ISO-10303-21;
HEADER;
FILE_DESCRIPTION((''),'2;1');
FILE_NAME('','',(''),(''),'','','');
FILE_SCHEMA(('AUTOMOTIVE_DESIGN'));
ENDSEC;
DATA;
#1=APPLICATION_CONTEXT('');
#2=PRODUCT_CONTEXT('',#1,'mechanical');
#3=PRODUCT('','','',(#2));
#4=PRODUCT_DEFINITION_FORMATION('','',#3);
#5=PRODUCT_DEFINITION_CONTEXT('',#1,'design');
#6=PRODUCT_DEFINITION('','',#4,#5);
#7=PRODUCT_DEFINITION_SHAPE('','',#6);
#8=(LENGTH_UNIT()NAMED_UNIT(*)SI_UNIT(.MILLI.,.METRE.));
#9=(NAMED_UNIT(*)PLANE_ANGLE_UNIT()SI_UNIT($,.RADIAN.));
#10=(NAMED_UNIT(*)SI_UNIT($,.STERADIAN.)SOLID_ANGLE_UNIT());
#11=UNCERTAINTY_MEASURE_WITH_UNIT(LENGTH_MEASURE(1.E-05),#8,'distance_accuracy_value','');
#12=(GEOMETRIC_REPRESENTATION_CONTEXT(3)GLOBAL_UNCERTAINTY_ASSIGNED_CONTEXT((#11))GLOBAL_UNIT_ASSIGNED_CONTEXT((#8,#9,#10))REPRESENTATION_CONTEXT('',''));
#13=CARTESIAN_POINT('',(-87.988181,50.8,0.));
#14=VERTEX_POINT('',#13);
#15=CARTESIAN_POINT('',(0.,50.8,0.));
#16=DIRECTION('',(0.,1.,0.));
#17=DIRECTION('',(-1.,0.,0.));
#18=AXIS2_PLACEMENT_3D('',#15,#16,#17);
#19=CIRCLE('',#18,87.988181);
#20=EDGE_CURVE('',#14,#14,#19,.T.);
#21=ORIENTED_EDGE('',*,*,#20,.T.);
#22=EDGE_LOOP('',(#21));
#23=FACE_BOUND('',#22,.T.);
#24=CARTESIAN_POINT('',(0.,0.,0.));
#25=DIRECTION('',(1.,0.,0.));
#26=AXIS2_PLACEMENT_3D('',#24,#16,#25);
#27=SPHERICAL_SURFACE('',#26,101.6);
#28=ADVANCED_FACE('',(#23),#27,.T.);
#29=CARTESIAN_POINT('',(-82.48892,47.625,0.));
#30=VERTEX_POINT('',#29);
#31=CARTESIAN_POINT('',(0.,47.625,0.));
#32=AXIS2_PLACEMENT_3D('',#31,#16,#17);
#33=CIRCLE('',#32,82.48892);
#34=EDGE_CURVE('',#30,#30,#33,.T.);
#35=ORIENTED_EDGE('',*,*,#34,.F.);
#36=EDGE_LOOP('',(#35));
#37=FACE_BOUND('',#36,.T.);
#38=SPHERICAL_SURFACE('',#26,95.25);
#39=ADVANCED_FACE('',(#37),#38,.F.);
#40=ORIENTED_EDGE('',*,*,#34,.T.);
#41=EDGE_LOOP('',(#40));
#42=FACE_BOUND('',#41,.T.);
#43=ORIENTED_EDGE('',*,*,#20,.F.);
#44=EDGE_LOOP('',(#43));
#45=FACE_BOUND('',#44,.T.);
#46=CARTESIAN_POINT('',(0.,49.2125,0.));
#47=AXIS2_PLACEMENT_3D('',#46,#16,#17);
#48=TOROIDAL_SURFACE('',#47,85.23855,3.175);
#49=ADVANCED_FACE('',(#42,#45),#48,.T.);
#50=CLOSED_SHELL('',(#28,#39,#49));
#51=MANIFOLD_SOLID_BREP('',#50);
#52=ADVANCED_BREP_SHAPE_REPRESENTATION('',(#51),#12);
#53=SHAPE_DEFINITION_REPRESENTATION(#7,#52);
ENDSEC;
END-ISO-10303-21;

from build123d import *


with BuildPart() as part:
    # Sketch1 one side → Revolve1 (revolve)
    with BuildSketch(Plane.XY):
        with BuildLine():
            Line((0, 101.6), (0, 95.25))
            ThreePointArc((0, 95.25), (47.625, 82.48891971), (82.48891971, 47.625))
            ThreePointArc((82.48891971, 47.625), (86.826050367, 46.462869343), (87.988181024, 50.8))
            ThreePointArc((87.988181024, 50.8), (50.8, 87.988181024), (0, 101.6))
        make_face()
    revolve(axis=Axis((0, 0, 0), (0, -1, 0)))


solid = part.part
